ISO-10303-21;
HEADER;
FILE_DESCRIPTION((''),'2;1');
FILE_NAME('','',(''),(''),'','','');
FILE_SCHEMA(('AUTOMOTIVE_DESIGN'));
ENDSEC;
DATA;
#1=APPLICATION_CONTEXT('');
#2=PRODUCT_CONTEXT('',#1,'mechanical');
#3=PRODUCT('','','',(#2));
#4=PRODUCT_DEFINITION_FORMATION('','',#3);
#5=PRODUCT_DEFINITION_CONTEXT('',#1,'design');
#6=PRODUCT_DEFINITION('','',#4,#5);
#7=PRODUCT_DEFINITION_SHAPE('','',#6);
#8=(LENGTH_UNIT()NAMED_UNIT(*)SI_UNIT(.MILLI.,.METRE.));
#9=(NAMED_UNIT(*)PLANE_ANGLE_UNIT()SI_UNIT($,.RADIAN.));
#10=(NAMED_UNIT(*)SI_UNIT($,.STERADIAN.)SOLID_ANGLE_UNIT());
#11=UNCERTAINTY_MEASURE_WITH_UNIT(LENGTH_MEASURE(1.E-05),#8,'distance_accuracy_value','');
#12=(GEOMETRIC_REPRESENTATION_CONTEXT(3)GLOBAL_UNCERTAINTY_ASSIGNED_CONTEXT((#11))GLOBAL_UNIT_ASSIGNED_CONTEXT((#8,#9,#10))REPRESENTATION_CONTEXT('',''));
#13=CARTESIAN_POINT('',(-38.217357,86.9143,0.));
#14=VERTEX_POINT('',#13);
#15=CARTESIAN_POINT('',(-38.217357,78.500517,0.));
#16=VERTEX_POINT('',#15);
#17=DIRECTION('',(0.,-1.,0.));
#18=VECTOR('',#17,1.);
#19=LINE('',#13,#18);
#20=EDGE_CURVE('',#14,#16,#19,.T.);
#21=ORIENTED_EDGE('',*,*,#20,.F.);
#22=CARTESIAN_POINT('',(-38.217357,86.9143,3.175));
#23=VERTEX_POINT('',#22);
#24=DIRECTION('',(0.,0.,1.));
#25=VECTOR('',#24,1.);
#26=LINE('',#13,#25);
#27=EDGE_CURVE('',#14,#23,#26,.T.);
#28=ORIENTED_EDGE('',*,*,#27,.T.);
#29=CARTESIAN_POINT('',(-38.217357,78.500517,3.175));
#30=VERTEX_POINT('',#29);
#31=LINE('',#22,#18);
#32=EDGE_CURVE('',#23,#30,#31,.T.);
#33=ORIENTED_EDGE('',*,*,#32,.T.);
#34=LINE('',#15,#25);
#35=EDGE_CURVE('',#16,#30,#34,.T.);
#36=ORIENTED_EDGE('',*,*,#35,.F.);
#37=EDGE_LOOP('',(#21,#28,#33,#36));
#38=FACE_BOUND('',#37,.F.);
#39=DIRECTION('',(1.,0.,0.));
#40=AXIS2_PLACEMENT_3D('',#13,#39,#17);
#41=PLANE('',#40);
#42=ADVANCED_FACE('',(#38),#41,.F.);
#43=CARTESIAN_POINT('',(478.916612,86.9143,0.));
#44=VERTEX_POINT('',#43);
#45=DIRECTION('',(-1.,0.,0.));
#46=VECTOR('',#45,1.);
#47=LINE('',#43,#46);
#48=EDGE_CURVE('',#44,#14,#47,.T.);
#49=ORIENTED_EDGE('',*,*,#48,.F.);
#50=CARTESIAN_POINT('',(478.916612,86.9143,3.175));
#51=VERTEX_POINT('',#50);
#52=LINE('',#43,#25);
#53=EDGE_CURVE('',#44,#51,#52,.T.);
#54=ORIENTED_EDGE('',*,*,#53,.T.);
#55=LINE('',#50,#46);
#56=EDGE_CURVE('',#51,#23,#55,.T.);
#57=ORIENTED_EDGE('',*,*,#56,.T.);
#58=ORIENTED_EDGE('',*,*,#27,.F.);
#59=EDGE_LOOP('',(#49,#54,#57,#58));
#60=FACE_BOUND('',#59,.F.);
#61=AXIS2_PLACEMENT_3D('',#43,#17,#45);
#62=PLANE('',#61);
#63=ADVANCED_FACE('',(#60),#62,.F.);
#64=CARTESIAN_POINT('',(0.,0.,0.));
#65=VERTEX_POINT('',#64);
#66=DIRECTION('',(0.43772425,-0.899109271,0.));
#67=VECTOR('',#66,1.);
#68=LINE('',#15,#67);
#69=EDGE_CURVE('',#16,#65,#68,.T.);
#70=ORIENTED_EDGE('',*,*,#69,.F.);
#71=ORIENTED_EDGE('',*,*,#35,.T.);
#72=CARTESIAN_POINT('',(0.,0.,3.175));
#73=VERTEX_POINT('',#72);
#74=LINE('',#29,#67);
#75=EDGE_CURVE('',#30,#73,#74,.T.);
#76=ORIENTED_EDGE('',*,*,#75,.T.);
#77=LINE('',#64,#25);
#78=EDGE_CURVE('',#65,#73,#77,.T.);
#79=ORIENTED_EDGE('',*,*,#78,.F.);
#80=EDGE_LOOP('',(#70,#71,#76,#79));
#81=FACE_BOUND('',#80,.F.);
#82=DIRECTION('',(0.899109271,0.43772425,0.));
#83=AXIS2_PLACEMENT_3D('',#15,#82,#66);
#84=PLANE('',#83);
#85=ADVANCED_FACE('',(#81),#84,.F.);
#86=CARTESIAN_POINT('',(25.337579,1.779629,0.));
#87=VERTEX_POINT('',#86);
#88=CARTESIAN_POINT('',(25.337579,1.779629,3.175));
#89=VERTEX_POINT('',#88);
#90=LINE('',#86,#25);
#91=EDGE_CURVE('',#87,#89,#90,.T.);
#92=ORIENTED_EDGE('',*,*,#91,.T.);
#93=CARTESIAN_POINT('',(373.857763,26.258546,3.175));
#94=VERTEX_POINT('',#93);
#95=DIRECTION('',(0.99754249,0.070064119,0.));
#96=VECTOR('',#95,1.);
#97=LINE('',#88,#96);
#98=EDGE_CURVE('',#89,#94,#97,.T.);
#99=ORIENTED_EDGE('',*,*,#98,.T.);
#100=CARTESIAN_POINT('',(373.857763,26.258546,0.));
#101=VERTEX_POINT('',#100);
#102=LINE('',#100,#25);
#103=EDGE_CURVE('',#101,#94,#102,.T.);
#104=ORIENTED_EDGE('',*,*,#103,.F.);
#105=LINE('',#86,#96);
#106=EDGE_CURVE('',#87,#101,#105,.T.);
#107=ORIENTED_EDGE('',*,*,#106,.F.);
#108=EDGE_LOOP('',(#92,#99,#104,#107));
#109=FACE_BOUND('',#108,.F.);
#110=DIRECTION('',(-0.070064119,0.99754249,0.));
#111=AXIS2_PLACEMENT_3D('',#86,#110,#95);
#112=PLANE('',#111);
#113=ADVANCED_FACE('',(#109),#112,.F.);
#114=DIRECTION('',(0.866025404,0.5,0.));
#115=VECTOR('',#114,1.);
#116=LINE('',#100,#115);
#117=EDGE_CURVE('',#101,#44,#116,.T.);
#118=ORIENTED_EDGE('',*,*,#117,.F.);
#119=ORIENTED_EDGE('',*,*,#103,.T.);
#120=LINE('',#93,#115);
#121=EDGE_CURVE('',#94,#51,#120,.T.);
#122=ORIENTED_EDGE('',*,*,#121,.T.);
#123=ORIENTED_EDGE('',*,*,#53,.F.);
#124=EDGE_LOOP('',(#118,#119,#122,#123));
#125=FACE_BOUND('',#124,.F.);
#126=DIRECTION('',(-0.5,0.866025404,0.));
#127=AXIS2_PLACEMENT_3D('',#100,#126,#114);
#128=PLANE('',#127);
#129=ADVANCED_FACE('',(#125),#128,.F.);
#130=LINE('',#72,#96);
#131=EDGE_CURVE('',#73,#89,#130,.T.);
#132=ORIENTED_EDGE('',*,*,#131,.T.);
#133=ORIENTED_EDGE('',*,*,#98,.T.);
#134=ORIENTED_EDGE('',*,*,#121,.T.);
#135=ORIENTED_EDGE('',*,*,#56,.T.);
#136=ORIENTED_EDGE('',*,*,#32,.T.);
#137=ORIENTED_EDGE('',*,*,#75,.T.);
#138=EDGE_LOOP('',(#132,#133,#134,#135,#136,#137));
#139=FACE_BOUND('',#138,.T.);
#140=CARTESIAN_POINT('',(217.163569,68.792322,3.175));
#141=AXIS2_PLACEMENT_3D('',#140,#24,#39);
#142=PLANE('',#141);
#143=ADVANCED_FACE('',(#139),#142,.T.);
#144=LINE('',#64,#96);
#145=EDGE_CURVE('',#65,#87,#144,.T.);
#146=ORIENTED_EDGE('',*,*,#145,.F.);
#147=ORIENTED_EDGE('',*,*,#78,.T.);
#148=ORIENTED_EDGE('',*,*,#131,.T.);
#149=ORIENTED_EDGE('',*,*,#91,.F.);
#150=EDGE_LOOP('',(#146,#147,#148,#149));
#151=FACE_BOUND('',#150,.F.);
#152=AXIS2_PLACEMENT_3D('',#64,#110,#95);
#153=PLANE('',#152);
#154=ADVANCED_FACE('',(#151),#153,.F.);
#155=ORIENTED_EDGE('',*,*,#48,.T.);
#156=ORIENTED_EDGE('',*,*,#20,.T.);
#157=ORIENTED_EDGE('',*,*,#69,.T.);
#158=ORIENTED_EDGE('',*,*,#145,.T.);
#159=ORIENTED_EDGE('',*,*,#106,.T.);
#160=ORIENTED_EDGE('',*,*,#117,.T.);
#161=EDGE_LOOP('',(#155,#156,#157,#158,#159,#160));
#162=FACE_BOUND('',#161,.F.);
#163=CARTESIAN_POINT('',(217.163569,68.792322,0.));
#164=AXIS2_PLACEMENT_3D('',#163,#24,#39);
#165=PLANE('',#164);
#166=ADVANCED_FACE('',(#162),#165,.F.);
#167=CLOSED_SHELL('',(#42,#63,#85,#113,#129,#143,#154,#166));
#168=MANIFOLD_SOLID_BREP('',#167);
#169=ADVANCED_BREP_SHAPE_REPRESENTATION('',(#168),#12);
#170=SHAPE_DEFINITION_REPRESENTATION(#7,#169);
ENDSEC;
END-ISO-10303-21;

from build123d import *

# Parameters (mm, degrees)
F1_DEPTH = 3.175


with BuildPart() as f1:
    # F0 (on Top) → F1 (new body)
    with BuildSketch(Plane.XY):
        Polygon((478.9166121058, 86.9143003725), (-38.2173569188, 86.9143003725), (-38.2173569188, 78.5005169143), (-12.3104741549, 47.2268003725), (410.1758456804, 47.2268003725), align=None)
        Polygon((-38.2173569188, 78.5005169143), (-22.9919949182, 47.2268003725), (-12.3104741549, 47.2268003725), align=None)
        Polygon((-12.3104741549, 47.2268003725), (-22.9919949182, 47.2268003725), (0, 0), (25.337579244, 1.7796286275), align=None)
        Polygon((410.1758456804, 47.2268003725), (-12.3104741549, 47.2268003725), (25.337579244, 1.7796286275), (373.8577628981, 26.2585455017), align=None)
    extrude(amount=F1_DEPTH)


solid = f1.part
